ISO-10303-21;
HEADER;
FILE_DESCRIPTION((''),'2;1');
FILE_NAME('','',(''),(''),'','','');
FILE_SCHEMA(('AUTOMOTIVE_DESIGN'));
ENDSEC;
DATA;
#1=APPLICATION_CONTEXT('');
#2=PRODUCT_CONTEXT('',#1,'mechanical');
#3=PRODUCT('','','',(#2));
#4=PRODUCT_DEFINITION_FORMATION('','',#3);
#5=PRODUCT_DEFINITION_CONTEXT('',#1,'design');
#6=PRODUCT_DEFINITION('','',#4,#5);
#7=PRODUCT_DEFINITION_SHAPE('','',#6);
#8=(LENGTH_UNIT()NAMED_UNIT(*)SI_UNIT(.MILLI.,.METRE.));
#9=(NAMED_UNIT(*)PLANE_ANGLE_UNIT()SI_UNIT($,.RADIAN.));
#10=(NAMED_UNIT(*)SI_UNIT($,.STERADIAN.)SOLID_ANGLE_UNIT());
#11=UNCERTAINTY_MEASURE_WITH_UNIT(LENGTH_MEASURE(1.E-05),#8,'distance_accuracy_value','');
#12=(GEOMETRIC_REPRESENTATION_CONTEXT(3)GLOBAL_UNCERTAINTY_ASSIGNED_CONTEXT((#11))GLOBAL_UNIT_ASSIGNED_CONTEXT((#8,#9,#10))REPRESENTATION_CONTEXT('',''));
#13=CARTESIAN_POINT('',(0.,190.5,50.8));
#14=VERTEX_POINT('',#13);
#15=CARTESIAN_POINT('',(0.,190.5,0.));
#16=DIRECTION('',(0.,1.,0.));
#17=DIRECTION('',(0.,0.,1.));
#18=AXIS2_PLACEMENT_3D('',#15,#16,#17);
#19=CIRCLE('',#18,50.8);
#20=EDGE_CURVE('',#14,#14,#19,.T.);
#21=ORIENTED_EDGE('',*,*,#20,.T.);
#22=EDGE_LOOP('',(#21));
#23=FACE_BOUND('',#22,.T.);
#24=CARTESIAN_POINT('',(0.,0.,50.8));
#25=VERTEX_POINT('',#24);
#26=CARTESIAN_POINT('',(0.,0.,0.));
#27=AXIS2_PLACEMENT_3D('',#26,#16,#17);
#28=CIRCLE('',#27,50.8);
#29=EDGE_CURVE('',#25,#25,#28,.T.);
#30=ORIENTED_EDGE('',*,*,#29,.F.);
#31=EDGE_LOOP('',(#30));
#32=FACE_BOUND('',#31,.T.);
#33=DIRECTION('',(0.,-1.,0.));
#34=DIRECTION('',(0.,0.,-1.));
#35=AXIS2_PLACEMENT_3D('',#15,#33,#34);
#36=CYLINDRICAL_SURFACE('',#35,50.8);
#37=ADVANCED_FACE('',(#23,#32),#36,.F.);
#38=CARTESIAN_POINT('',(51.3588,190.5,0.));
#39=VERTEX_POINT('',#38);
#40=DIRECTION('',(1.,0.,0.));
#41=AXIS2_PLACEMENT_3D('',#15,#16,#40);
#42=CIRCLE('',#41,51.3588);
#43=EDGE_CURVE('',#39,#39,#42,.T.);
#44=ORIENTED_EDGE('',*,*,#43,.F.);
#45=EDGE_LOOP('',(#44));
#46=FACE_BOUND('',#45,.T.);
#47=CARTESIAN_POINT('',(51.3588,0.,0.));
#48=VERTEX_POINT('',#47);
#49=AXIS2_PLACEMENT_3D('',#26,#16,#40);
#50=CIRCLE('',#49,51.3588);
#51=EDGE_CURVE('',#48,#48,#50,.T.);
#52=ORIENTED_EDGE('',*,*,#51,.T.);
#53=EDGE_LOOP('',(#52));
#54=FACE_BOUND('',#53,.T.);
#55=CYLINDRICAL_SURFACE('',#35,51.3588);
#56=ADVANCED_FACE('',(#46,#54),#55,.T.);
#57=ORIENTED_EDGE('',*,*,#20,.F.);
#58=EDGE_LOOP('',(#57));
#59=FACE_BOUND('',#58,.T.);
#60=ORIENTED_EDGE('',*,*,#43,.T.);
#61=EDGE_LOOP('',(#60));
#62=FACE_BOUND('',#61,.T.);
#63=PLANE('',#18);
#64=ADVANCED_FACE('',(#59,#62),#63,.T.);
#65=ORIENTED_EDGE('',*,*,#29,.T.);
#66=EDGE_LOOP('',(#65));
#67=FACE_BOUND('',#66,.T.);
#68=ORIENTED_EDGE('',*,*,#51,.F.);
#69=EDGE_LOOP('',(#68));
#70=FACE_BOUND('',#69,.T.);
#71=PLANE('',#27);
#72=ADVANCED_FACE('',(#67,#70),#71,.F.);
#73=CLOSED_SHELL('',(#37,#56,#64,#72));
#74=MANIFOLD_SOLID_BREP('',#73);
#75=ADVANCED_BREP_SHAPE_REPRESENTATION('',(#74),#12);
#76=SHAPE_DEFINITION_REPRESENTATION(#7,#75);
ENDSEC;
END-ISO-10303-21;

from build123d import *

# Parameters (mm, degrees)
SKETCH1_R           = 51.3588
SKETCH1_R_2         = 50.8
EXTRUDE_THIN1_DEPTH = 190.5


with BuildPart() as part:
    # Sketch1 → Extrude-Thin1 (new body)
    with BuildSketch(Plane(origin=(0, 0, 0), x_dir=(1, 0, 0), z_dir=(0, 1, 0))):
        Circle(SKETCH1_R)
        Circle(SKETCH1_R_2, mode=Mode.SUBTRACT)
    extrude(amount=EXTRUDE_THIN1_DEPTH)


solid = part.part
